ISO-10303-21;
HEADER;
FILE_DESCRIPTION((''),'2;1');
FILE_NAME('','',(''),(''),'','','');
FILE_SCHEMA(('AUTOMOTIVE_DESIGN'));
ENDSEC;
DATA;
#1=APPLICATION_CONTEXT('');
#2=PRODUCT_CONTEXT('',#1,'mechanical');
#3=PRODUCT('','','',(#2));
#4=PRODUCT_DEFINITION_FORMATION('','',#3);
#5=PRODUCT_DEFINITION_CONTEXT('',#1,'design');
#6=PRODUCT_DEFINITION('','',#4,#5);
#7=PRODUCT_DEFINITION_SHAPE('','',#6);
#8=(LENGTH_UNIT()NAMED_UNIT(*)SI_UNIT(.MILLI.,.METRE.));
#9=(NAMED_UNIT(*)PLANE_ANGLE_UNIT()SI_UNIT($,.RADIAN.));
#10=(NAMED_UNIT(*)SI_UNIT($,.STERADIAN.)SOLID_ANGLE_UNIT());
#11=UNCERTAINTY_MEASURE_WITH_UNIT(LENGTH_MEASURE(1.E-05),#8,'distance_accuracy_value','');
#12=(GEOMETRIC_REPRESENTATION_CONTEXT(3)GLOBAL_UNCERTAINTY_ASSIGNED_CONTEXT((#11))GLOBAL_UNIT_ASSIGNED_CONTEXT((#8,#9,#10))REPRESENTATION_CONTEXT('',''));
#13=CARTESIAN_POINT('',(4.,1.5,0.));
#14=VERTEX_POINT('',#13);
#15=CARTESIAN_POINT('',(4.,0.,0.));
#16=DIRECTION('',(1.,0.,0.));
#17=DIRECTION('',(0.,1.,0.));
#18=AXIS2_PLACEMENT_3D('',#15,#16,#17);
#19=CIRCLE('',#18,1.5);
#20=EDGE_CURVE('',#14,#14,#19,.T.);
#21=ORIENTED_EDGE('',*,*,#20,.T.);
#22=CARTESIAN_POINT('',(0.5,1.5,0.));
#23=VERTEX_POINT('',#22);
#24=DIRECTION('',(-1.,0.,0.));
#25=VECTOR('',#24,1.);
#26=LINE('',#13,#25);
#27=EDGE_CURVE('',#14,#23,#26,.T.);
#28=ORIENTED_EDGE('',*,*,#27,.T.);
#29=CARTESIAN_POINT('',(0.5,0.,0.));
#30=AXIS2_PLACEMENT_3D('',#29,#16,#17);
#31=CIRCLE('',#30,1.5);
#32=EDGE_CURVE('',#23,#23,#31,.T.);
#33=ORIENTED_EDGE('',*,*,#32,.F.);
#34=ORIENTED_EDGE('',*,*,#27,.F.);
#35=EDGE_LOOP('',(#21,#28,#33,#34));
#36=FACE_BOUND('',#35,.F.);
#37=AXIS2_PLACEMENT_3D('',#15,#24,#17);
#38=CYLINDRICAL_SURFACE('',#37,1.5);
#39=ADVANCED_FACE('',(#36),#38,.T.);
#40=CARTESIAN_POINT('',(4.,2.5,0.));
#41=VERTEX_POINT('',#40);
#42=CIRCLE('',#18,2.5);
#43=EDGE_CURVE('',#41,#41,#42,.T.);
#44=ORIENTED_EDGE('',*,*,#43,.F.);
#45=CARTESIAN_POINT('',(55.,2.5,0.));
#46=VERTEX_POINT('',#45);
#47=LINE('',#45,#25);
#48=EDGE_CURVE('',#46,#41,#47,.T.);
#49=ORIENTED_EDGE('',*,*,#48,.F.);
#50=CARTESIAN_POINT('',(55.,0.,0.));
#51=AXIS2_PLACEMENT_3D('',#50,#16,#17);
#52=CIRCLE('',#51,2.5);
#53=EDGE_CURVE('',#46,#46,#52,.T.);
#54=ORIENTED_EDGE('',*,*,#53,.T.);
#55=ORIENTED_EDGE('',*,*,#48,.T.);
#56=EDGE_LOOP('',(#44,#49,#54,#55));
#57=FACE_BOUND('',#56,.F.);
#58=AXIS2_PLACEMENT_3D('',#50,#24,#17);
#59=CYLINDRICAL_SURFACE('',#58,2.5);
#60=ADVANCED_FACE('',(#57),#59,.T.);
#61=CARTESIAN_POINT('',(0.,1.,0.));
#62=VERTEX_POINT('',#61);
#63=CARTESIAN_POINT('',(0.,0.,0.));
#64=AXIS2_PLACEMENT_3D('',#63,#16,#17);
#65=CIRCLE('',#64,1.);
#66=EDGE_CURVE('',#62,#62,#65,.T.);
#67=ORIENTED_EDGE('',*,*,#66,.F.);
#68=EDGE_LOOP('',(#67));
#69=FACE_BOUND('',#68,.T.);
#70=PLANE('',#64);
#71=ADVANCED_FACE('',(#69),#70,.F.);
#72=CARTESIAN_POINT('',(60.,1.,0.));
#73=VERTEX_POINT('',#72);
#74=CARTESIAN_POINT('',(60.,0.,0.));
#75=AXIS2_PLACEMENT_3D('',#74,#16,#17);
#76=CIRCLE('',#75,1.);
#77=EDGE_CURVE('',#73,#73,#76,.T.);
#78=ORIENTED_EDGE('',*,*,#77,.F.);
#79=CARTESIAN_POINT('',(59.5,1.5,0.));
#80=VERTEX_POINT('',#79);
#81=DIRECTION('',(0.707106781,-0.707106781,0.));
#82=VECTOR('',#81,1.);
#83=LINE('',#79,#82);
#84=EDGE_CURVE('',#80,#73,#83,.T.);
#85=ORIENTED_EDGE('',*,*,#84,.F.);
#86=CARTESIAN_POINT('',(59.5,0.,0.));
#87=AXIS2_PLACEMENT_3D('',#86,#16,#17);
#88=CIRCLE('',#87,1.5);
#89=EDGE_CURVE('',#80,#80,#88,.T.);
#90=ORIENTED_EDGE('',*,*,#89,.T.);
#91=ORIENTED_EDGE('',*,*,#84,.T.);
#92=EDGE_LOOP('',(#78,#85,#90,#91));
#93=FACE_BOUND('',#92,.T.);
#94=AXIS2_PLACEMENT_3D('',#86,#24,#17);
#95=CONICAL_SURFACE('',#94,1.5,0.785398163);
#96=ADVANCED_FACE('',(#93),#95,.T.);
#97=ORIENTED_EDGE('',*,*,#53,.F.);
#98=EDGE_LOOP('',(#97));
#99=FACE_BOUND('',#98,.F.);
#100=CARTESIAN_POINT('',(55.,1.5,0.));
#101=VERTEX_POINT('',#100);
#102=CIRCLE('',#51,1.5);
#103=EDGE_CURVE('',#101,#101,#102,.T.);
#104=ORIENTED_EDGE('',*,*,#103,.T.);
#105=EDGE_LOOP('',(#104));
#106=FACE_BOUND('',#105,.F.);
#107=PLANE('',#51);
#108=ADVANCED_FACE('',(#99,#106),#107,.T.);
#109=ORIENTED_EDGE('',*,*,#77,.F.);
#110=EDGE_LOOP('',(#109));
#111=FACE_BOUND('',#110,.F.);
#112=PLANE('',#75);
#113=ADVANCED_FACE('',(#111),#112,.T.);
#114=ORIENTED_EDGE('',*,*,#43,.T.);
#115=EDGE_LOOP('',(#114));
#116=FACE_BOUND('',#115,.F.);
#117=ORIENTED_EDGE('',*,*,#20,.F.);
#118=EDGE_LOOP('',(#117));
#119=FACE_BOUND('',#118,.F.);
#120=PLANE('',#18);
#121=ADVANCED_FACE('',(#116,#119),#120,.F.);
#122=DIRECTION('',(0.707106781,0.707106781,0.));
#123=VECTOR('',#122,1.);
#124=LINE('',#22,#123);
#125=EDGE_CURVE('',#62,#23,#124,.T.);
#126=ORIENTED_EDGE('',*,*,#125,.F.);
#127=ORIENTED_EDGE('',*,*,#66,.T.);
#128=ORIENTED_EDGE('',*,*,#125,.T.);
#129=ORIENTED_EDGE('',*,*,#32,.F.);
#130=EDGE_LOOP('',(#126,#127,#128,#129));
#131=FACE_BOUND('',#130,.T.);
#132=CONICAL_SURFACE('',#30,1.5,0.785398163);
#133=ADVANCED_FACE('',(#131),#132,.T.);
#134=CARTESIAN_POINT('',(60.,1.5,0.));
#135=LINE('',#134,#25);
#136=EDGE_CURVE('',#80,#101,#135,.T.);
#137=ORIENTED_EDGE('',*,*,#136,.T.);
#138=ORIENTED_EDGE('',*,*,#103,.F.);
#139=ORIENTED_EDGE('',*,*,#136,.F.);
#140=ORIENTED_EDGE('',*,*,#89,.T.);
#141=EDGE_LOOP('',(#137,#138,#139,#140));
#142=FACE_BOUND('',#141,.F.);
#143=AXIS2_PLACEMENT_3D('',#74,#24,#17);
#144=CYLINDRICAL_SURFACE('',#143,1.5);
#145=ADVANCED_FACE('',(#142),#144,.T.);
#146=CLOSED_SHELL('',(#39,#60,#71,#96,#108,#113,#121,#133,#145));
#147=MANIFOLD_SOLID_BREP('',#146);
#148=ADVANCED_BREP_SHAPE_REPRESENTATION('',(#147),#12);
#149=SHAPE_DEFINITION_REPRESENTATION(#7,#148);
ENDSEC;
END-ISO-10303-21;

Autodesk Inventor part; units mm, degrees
ref_plane "YZ Plane" through (0, 0, 0) normal (1, 0, 0) x (0, 1, 0)
ref_plane "XZ Plane" through (0, 0, 0) normal (0, 1, 0) x (-1, 0, 0)
ref_plane "XY Plane" through (0, 0, 0) normal (0, 0, 1) x (1, 0, 0)
sketch "Skizze2" plane through (0, 0, 0) normal (0, 0, 1) x (1, 0, 0)
  line L0 (0, -0.5) -> (0, 3) projected
  line L1 (-12, 0) -> (72, 0) projected
  line L2 (0, 0) -> (4, 0)
  line L3 (4, 1.5) -> (0, 1.5)
  line L4 (0, 1.5) -> (0, 0)
  line L5 (4, 0) -> (55, 0)
  line L6 (55, 1.5) -> (55, 2.5)
  line L7 (55, 2.5) -> (4, 2.5)
  line L8 (4, 2.5) -> (4, 1.5)
  line L9 (55, 0) -> (60, 0)
  line L10 (60, 0) -> (60, 1.5)
  line L11 (60, 1.5) -> (55, 1.5)
  dimension "d0" = 3
  dimension "d1" = 5
  dimension "d2" = 4
  dimension "d3" = 5
  dimension "d4" = 60
revolve "Umdrehung1" add sketch "Skizze2" angle 360 about axis through (-10, 0, 0) along (1, 0, 0)
thread "Gewinde1" size "M3x0.5" class "6g" standard "ANSI Metric M Profile" full length
thread "Gewinde2" size "M3x0.5" class "6g" standard "ANSI Metric M Profile" full length
chamfer "Fase1" distance 0.5 angle 45 2 edges at (60, -1.5, 0) (0, -1.5, 0)
properties part number "Kolbenstange"
